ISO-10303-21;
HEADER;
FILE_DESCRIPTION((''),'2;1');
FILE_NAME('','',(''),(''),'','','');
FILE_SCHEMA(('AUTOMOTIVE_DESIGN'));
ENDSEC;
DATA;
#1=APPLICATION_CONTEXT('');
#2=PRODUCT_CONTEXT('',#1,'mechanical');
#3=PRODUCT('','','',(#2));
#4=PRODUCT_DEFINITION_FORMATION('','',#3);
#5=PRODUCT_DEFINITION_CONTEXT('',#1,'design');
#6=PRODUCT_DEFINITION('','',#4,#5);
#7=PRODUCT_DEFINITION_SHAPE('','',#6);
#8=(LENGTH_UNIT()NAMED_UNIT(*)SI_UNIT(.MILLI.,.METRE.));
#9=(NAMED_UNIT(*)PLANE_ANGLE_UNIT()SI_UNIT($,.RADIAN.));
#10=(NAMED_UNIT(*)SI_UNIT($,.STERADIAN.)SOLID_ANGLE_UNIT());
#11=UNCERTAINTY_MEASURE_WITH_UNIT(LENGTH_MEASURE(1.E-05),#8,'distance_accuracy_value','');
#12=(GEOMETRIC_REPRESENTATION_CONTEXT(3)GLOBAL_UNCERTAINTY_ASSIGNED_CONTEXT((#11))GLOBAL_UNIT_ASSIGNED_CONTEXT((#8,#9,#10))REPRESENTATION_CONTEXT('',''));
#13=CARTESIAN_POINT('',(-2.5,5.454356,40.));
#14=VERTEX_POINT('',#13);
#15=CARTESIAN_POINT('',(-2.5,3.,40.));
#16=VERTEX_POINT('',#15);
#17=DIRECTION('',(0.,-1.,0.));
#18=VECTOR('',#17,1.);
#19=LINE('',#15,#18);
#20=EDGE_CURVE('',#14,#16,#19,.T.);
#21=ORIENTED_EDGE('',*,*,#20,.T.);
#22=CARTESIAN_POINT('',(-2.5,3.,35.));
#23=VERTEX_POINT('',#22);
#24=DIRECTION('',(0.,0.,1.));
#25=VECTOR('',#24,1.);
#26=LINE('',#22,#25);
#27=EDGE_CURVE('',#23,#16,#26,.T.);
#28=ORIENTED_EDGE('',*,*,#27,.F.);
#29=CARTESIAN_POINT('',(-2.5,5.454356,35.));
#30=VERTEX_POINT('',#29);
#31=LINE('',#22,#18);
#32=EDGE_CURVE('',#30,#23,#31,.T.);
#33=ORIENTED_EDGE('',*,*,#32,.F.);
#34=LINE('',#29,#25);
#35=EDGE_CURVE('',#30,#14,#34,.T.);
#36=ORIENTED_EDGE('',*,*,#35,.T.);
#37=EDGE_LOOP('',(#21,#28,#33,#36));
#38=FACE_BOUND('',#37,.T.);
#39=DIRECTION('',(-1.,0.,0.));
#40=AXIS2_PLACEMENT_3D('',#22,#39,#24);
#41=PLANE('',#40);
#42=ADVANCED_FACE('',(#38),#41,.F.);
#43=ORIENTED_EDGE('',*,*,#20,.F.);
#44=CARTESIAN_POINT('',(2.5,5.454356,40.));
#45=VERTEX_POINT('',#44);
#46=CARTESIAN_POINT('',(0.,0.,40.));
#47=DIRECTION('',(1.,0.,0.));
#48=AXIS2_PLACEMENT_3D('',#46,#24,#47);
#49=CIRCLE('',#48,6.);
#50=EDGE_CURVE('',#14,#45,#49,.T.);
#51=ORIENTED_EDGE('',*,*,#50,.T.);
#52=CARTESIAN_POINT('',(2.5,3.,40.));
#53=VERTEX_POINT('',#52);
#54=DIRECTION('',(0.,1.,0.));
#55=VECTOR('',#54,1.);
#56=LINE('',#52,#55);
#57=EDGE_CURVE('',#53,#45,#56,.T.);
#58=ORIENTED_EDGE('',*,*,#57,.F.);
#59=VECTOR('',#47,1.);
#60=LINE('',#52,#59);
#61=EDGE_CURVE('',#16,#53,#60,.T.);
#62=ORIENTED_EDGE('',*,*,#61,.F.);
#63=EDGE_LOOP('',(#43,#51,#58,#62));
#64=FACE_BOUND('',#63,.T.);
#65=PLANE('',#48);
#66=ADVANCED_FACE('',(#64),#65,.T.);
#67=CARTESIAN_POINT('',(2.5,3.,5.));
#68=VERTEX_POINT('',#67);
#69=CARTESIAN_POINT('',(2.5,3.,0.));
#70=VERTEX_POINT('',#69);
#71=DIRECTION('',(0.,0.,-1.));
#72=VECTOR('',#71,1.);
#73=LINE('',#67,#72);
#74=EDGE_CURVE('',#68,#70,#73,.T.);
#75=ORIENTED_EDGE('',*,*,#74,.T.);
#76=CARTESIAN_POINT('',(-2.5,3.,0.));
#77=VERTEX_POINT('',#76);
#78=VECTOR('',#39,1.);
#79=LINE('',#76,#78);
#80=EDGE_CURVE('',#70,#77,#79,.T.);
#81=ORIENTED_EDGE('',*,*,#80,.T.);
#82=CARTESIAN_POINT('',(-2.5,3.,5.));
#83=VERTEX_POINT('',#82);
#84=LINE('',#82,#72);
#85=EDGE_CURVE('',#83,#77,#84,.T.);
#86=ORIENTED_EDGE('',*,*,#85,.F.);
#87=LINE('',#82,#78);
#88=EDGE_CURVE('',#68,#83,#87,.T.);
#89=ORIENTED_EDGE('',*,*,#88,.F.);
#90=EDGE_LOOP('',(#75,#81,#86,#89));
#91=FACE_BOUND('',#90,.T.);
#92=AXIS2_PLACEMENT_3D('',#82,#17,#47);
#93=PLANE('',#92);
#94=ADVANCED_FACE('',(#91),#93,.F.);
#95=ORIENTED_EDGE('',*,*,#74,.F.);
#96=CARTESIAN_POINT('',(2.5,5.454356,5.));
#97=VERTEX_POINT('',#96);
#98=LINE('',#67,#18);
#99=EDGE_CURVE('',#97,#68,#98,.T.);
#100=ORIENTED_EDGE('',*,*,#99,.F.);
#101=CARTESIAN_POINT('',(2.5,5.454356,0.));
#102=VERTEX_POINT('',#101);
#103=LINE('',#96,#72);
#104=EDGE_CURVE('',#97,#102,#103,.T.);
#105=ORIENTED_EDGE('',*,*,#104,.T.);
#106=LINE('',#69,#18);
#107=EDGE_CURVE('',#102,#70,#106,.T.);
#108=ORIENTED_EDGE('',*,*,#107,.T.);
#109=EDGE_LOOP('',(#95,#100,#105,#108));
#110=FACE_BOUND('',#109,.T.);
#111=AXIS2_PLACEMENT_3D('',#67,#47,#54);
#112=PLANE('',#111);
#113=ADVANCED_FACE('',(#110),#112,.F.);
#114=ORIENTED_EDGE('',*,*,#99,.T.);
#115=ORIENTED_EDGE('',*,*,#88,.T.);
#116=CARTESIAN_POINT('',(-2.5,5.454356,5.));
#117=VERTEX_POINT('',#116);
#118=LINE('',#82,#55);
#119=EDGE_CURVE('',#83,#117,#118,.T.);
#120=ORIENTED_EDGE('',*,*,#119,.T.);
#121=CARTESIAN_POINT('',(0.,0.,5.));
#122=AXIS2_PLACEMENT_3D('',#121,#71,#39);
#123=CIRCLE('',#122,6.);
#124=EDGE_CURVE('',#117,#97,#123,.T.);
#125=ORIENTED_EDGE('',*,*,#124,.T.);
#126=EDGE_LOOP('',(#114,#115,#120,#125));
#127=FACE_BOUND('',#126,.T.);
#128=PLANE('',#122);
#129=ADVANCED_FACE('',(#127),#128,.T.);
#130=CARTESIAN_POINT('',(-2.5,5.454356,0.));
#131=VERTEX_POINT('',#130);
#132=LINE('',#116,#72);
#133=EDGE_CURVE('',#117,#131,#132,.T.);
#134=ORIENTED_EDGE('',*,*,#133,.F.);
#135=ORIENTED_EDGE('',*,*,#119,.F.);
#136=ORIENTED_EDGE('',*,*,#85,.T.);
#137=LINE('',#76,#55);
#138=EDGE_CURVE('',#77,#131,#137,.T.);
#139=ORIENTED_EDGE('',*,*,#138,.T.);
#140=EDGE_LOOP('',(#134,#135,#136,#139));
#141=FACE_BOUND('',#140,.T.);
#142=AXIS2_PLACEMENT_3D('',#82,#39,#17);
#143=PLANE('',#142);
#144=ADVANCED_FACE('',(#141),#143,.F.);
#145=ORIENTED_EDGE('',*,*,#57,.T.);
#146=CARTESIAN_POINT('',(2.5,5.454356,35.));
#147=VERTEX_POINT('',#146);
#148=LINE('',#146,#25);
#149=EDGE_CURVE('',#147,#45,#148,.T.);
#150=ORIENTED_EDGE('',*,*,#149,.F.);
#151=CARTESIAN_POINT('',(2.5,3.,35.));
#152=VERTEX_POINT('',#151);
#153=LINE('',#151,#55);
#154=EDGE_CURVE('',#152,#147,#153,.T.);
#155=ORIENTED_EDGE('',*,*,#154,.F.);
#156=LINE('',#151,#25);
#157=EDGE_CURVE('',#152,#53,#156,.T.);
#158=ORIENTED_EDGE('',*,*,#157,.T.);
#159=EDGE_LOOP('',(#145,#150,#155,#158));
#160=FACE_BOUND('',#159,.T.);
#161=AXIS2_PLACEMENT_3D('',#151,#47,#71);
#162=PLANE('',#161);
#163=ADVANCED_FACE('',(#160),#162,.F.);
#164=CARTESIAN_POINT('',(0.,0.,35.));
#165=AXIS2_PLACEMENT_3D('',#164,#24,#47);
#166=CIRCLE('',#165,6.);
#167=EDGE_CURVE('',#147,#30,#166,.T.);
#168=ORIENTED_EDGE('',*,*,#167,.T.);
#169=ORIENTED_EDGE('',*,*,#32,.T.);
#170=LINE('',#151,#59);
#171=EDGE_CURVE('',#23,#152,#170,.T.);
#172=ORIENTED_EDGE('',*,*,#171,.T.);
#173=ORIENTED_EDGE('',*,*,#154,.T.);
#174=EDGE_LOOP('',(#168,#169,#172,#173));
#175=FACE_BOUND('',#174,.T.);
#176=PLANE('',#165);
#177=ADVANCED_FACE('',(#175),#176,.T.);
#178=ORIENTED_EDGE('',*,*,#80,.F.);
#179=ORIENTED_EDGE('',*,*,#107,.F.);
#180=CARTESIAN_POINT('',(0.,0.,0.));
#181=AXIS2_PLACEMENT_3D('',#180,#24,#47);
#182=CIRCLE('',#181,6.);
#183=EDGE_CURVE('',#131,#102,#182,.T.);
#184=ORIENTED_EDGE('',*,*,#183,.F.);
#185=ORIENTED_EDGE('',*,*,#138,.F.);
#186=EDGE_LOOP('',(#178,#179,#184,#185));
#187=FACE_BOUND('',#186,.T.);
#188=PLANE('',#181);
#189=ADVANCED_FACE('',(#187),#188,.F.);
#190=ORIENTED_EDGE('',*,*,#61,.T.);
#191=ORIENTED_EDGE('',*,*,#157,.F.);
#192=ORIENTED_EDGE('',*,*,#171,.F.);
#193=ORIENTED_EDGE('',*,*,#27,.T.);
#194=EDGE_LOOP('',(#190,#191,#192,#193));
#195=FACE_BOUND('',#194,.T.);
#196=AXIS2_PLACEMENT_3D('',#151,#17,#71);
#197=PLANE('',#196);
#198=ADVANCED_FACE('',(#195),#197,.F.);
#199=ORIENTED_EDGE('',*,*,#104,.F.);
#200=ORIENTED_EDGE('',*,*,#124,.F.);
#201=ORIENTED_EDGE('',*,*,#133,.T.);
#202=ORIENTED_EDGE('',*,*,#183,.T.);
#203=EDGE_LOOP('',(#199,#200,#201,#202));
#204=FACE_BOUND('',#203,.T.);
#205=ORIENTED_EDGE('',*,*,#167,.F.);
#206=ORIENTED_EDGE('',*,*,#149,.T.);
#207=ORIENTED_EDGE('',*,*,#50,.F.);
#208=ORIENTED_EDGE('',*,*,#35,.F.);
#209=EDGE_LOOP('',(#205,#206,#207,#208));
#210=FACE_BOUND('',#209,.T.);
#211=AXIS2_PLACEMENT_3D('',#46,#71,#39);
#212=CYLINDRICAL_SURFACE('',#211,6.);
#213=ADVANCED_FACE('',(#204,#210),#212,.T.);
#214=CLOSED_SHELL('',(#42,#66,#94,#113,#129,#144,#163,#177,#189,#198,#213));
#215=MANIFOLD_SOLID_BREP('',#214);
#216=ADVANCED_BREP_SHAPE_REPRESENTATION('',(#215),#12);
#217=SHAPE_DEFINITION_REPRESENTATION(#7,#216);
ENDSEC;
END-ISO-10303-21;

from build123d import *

# Parameters (mm, degrees)
SKETCH_1_R          = 6
EXTRUDE_1_DEPTH     = 40
CUT_EXTRUDE_START   = -5
CUT_EXTRUDE_1_DEPTH = 5
CUT_EXTRUDE_2_DEPTH = 5


with BuildPart() as part:
    # 草图1 → 凸台-拉伸1 (new body)
    with BuildSketch(Plane.XY):
        Circle(SKETCH_1_R)
    extrude(amount=EXTRUDE_1_DEPTH)

    # 草图2 → 切除-拉伸1 (cut)
    with BuildSketch(Plane.XY.offset(40).offset(CUT_EXTRUDE_START)):
        with BuildLine():
            Line((2.5, 3), (-2.5, 3))
            Line((-2.5, 3), (-2.5, 5.454356057))
            ThreePointArc((-2.5, 5.454356057), (0, 6), (2.5, 5.454356057))
            Line((2.5, 5.454356057), (2.5, 3))
        make_face()
    extrude(amount=CUT_EXTRUDE_1_DEPTH, mode=Mode.SUBTRACT)

    # 草图3 → 切除-拉伸2 (cut)
    with BuildSketch(Plane(origin=(0, 0, 0), x_dir=(-1, 0, 0), z_dir=(0, 0, -1))):
        with BuildLine():
            Line((2.5, 3), (-2.5, 3))
            Line((-2.5, 3), (-2.5, 5.454356057))
            ThreePointArc((-2.5, 5.454356057), (0, 6), (2.5, 5.454356057))
            Line((2.5, 5.454356057), (2.5, 3))
        make_face()
    extrude(amount=-CUT_EXTRUDE_2_DEPTH, mode=Mode.SUBTRACT)


solid = part.part
